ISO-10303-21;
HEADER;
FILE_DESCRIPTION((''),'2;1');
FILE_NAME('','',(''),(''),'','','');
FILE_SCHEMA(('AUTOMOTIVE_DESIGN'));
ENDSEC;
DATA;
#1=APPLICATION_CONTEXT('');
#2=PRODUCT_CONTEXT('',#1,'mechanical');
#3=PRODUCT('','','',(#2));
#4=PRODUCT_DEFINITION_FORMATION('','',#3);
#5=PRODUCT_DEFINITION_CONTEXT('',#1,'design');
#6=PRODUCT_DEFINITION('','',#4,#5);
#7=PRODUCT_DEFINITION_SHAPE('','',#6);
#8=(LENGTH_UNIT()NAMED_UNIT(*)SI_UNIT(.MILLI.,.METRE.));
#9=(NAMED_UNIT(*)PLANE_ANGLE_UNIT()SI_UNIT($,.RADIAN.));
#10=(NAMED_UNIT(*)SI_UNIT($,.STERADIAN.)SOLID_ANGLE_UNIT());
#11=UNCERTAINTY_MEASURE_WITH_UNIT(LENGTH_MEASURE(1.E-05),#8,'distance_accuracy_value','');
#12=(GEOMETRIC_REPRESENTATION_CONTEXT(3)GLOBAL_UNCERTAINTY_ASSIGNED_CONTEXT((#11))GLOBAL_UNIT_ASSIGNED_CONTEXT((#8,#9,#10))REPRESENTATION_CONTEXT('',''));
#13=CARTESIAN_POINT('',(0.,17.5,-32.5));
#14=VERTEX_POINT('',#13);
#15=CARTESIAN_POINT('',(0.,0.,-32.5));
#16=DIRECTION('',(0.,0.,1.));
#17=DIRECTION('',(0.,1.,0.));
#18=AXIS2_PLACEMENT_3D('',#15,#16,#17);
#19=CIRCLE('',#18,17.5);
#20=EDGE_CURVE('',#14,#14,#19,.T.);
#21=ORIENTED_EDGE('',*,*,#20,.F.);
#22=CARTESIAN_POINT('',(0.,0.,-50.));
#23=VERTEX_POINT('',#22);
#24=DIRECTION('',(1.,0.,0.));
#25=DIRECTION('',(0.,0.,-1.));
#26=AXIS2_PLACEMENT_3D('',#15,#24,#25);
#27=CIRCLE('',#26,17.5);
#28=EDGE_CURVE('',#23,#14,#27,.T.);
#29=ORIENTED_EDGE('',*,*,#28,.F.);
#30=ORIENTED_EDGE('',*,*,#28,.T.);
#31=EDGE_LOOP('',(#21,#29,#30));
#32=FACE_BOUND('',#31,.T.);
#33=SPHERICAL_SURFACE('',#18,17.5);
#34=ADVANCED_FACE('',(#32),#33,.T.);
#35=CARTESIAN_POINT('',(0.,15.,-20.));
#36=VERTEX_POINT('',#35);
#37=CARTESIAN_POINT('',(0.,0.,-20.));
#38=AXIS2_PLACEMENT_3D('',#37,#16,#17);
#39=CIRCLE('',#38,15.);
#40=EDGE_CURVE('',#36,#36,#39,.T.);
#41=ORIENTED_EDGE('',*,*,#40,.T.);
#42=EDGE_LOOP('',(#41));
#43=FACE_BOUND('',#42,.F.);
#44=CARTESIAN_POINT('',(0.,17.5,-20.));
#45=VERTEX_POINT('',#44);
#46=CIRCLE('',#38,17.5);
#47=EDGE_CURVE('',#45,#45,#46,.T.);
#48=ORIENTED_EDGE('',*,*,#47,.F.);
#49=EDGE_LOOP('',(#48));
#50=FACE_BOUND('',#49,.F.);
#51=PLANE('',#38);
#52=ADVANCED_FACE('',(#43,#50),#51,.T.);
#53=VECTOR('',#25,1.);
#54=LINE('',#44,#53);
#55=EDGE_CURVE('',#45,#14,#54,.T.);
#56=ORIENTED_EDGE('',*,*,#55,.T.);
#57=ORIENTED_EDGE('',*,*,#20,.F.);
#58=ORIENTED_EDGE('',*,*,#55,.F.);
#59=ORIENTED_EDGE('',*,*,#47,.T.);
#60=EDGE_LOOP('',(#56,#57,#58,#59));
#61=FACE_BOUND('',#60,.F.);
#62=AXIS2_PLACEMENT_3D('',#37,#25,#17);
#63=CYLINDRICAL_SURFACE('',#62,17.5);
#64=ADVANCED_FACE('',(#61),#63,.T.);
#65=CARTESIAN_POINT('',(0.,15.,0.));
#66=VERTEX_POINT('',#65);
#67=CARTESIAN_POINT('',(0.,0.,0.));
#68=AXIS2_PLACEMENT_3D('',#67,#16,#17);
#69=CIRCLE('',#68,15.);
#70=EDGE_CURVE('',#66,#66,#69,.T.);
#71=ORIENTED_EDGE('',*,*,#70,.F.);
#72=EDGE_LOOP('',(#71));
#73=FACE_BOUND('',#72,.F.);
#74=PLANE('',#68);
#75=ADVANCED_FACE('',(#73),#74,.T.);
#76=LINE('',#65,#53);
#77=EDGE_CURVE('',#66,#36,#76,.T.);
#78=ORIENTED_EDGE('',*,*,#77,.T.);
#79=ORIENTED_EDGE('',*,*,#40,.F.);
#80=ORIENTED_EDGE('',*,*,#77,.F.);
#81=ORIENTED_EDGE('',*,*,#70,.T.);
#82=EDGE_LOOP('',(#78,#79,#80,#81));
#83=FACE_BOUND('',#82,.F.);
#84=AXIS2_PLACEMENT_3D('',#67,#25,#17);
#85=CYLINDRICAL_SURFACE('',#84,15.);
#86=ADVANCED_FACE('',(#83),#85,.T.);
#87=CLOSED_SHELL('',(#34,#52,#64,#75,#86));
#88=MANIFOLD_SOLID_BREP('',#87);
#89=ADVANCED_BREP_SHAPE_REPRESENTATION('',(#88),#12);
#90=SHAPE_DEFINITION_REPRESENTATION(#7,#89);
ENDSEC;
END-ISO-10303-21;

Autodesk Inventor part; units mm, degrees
ref_plane "YZ Plane" through (0, 0, 0) normal (1, 0, 0) x (0, 1, 0)
ref_plane "XZ Plane" through (0, 0, 0) normal (0, 1, 0) x (-1, 0, 0)
ref_plane "XY Plane" through (0, 0, 0) normal (0, 0, 1) x (1, 0, 0)
sketch "草圖1" plane through (0, 0, 0) normal (1, 0, 0) x (0, 1, 0)
  line L0 (-4.2249, 0) -> (25.3492, 0) projected
  line L1 (0, -64.3492) -> (0, 10.7249) projected
  line L2 (0, 0) -> (15, 0)
  line L3 (15, 0) -> (15, -20)
  line L4 (15, -20) -> (0, -20)
  line L5 (0, -20) -> (0, 0)
  line L6 (0, -20) -> (17.5, -20)
  line L7 (17.5, -20) -> (17.5, -32.5)
  line L8 (17.5, -32.5) -> (0, -32.5)
  line L9 (0, -32.5) -> (0, -20)
  arc A0 (0, -50) -> (17.5, -32.5) centre (0, -32.5) ccw
  line L10 (0, -50) -> (0, -33.1775)
  line L11 (0, -33.1775) -> (0, -32.5)
  line L12 (0, -32.5) -> (17.5, -32.5)
  dimension "d0" = 15
  dimension "d1" = 20
  dimension "d2" = 17.5
  dimension "d3" = 12.5
revolve "迴轉1" add sketch "草圖1" angle 360 about axis through (0, 0, -32.5) along (0, 0, 1)
properties part number "exercise2-3"
